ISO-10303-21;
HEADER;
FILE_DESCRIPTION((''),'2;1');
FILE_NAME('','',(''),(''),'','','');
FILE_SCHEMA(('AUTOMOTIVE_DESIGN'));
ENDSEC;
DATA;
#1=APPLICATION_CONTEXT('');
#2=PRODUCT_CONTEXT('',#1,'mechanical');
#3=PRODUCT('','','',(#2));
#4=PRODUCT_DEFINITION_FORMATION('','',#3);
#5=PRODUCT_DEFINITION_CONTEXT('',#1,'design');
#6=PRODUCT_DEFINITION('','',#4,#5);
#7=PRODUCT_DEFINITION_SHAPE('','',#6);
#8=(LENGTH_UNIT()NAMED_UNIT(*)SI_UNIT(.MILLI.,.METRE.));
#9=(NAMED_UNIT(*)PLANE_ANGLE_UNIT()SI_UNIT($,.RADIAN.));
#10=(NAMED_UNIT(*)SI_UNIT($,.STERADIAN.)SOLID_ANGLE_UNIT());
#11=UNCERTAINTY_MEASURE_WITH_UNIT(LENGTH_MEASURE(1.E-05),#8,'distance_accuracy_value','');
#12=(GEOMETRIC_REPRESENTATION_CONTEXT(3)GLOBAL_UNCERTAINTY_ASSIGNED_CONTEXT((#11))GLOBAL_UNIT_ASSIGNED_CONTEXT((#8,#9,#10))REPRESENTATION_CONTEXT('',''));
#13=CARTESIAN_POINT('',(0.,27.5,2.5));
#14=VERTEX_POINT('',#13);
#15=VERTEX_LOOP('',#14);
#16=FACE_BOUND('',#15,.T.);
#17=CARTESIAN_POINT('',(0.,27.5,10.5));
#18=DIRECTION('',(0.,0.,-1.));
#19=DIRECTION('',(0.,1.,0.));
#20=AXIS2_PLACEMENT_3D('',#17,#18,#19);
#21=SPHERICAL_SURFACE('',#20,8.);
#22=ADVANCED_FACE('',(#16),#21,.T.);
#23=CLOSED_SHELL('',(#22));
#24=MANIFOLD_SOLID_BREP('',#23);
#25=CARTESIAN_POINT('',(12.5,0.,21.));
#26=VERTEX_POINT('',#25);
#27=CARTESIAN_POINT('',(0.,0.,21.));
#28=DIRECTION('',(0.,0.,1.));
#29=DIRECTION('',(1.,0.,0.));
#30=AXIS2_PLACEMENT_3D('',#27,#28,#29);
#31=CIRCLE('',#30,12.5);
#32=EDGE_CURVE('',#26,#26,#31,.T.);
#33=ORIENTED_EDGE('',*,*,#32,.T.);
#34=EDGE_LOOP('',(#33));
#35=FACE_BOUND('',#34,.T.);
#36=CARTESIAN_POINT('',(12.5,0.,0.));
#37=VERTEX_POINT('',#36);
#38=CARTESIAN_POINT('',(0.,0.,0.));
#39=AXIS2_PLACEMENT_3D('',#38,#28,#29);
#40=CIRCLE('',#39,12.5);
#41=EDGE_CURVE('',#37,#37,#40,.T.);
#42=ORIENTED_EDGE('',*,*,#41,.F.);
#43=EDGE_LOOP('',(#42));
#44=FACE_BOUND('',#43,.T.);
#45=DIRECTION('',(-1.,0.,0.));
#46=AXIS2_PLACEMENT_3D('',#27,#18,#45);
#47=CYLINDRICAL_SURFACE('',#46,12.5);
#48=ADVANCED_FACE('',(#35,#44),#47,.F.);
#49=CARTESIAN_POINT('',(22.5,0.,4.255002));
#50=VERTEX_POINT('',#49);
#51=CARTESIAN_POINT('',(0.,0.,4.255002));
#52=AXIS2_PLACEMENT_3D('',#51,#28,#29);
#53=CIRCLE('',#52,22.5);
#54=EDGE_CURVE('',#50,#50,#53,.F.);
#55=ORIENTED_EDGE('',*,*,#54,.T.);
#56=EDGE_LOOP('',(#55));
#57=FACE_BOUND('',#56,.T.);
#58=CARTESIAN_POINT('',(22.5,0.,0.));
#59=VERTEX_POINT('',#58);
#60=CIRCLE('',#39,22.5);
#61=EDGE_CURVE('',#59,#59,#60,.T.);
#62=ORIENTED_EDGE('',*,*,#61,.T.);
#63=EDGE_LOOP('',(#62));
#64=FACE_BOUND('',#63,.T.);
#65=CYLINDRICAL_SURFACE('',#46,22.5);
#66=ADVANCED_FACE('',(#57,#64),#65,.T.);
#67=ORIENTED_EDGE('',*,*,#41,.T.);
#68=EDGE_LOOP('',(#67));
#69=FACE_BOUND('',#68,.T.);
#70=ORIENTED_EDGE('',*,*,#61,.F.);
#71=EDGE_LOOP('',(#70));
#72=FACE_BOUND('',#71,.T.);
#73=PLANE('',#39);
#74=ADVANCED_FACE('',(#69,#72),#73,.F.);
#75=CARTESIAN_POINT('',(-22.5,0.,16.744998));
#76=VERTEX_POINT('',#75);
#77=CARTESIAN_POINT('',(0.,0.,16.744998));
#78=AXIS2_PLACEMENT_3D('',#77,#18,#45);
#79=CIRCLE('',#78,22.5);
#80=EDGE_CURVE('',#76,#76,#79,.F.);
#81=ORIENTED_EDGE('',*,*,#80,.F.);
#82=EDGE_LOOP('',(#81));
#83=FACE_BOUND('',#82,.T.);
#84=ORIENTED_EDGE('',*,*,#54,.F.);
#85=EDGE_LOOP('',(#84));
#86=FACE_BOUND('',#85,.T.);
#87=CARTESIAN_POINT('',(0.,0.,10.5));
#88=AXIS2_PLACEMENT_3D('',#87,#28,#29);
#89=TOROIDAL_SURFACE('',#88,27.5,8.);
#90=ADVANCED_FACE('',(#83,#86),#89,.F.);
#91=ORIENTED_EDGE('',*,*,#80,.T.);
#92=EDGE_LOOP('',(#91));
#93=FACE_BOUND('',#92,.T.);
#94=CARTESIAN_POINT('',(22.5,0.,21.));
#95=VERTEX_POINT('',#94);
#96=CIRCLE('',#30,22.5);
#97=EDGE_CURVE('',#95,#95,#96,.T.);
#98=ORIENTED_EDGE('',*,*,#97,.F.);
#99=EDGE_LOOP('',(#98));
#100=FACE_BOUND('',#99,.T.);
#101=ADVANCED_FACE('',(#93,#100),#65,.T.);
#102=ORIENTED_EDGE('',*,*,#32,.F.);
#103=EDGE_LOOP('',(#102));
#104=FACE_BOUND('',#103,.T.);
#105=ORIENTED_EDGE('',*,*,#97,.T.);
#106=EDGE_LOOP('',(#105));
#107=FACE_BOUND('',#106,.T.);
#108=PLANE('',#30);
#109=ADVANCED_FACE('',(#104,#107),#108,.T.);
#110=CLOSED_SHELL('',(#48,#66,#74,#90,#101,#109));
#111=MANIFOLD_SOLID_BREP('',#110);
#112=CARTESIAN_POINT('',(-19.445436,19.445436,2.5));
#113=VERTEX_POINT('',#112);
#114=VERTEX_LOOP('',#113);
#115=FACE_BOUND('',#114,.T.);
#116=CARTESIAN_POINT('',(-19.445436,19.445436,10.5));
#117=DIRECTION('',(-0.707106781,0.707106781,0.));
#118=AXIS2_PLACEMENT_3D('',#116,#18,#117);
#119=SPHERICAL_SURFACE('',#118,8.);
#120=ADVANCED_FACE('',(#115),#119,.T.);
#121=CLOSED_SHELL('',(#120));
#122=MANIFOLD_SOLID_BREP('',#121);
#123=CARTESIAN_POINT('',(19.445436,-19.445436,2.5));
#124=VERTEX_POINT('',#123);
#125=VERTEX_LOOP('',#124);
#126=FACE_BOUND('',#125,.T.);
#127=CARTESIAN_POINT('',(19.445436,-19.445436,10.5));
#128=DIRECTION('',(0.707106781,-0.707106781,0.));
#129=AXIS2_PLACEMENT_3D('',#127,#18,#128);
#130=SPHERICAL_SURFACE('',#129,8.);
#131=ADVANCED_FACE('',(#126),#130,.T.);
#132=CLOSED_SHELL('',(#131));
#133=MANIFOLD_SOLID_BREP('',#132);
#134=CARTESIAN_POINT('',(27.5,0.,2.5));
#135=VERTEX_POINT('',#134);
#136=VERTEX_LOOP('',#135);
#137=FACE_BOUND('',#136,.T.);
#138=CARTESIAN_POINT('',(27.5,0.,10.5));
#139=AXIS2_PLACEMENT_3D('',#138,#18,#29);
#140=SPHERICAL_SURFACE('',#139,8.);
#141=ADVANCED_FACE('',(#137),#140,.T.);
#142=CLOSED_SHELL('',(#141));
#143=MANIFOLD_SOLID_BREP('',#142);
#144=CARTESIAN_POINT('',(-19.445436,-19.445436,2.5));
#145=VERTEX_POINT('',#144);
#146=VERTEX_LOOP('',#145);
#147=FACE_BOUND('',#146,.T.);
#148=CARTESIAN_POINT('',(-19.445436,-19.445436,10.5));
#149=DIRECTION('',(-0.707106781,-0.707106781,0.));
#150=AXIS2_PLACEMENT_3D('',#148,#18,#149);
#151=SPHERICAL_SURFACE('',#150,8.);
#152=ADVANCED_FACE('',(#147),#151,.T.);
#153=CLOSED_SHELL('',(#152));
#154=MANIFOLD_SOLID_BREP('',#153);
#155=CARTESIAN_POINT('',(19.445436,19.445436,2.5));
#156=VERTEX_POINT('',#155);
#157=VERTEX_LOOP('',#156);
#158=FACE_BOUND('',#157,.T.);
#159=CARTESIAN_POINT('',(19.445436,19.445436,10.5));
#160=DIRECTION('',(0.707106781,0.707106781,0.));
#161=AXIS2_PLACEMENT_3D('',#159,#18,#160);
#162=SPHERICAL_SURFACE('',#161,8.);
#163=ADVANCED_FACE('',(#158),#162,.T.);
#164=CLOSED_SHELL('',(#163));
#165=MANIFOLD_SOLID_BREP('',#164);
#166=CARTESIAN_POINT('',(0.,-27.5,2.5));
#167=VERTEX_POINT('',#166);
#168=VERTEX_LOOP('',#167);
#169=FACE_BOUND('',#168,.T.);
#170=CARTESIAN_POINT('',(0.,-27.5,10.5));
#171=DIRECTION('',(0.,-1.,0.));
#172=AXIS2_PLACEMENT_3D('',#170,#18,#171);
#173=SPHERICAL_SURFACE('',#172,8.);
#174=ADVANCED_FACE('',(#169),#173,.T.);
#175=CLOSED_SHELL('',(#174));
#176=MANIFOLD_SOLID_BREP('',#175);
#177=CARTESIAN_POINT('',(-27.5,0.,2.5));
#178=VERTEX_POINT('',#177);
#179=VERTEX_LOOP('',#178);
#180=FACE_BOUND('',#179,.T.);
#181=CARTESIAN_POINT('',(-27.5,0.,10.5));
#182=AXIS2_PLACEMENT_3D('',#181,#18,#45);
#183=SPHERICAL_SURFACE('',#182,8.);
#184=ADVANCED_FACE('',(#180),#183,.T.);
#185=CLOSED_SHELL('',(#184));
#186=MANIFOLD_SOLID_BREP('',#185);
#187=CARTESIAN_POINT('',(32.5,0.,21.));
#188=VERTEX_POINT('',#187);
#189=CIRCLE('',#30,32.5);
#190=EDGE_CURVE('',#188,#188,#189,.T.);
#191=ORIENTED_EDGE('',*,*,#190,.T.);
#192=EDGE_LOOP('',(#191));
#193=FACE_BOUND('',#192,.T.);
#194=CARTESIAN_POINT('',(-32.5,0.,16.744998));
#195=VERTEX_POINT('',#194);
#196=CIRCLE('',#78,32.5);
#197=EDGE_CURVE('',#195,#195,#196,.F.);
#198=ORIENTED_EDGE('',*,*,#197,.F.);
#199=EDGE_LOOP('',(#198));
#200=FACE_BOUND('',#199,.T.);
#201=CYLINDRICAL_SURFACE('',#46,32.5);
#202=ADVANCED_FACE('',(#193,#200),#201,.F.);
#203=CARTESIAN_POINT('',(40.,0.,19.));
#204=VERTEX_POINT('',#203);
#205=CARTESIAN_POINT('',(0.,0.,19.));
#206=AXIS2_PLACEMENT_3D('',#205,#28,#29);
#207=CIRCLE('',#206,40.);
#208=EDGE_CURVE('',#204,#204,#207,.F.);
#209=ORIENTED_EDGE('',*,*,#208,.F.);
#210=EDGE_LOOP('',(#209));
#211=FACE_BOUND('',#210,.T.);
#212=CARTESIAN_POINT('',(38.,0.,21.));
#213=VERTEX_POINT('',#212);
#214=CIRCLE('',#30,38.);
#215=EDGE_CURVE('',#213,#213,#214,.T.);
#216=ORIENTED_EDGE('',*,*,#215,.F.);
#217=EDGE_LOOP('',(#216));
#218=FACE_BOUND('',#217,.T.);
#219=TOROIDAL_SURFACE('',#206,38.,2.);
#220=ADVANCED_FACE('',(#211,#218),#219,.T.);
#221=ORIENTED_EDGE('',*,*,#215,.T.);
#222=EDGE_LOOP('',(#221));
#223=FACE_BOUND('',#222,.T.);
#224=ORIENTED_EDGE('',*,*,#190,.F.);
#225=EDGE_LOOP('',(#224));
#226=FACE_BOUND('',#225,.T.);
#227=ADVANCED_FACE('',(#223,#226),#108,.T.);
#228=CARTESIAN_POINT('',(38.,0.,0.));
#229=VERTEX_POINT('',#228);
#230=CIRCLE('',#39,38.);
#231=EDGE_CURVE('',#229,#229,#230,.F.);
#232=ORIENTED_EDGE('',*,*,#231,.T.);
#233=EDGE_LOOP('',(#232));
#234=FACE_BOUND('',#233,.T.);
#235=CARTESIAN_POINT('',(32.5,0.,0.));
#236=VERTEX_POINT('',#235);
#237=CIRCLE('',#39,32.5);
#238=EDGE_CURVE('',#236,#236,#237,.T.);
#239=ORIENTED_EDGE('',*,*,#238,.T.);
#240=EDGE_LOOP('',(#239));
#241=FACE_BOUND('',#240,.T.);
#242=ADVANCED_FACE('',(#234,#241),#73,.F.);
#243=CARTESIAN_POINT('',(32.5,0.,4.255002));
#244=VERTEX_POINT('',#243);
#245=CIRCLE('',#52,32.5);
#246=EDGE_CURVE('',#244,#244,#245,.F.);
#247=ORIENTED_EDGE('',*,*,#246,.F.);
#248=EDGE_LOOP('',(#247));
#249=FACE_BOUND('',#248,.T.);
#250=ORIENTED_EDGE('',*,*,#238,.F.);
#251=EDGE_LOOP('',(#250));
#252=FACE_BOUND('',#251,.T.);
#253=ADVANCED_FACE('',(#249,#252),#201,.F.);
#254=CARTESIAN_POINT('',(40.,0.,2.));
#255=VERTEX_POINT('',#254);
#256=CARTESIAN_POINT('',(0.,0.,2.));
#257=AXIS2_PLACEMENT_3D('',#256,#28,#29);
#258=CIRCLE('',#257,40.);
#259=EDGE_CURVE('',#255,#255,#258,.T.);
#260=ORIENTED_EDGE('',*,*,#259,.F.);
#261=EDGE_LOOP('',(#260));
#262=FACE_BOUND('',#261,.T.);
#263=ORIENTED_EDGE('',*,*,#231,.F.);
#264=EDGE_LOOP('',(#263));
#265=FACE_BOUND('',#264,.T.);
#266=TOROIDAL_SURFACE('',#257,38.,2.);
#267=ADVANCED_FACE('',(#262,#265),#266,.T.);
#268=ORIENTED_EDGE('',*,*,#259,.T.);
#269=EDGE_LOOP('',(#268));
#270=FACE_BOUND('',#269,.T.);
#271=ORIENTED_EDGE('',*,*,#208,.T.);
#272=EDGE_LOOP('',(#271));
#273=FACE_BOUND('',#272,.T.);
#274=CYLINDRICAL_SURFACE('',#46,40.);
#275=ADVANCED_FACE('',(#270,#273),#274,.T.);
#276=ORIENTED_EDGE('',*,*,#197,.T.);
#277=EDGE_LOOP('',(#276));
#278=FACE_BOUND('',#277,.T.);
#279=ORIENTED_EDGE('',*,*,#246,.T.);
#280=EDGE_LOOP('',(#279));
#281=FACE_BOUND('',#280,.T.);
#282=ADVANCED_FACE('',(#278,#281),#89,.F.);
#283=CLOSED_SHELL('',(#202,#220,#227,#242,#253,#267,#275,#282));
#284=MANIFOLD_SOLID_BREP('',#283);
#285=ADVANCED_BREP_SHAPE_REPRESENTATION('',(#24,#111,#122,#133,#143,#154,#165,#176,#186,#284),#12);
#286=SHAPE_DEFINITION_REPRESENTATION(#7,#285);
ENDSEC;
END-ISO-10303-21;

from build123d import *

# Parameters (mm, degrees)
SKETCH1_R             = 40
SKETCH1_R_2           = 32.5
BOSS_EXTRUDE1_DEPTH   = 21
SKETCH1_R_3           = 22.5
SKETCH1_R_4           = 12.5
BOSS_EXTRUDE1_2_DEPTH = 21
SKETCH2_R             = 8
CIRPATTERN1_COUNT     = 8
FILLET1_R             = 2


with BuildPart() as part:
    # Sketch1 → Boss-Extrude1 (new body)
    with BuildSketch(Plane.XY):
        Circle(SKETCH1_R)
        Circle(SKETCH1_R_2, mode=Mode.SUBTRACT)
    extrude(amount=BOSS_EXTRUDE1_DEPTH)


with BuildPart() as body_2:
    # Sketch1 → Boss-Extrude1 2 (new body)
    with BuildSketch(Plane.XY):
        Circle(SKETCH1_R_3)
        Circle(SKETCH1_R_4, mode=Mode.SUBTRACT)
    extrude(amount=BOSS_EXTRUDE1_2_DEPTH)


with BuildPart() as cut_revolve1_tool:
    # Sketch2 → Cut-Revolve1 (revolve)
    with BuildSketch(Plane(origin=(0, 0, 0), x_dir=(1, 0, 0), z_dir=(0, 1, 0))):
        with Locations((27.5, -10.5)):
            Circle(SKETCH2_R)
    revolve(axis=Axis((0, 0, 0), (0, 0, -1)))


with BuildPart() as part_1:
    add(part.part)

    # Cut-Revolve1: cut by cut_revolve1_tool
    add(cut_revolve1_tool.part, mode=Mode.SUBTRACT)

    # Fillet1
    fillet1_edges = [part_1.edges().sort_by_distance(p)[0] for p in [
        (-40, 0, 21),
        (-40, 0, 0),
    ]]
    fillet(fillet1_edges, radius=FILLET1_R)


with BuildPart() as body_2_1:
    add(body_2.part)

    # Cut-Revolve1: cut by cut_revolve1_tool
    add(cut_revolve1_tool.part, mode=Mode.SUBTRACT)


with BuildPart() as body_3:
    # Sketch3 → Revolve1 (revolve)
    with BuildSketch(Plane(origin=(0, 0, 0), x_dir=(1, 0, 0), z_dir=(0, 1, 0))):
        with BuildLine():
            Line((27.5, -2.5), (27.5, -18.5))
            ThreePointArc((27.5, -18.5), (35.5, -10.5), (27.5, -2.5))
        make_face()
    revolve(axis=Axis((27.5, 0, 2.5), (0, 0, 1)))


with BuildPart() as cirpattern1_1:
    # CirPattern1: pattern copy
    add(body_3.part.rotate(Axis((0, 0, 0), (0, 0, 1)), 1 * 360 / CIRPATTERN1_COUNT))


with BuildPart() as cirpattern1_2:
    # CirPattern1: pattern copy
    add(body_3.part.rotate(Axis((0, 0, 0), (0, 0, 1)), 2 * 360 / CIRPATTERN1_COUNT))


with BuildPart() as cirpattern1_3:
    # CirPattern1: pattern copy
    add(body_3.part.rotate(Axis((0, 0, 0), (0, 0, 1)), 3 * 360 / CIRPATTERN1_COUNT))


with BuildPart() as cirpattern1_4:
    # CirPattern1: pattern copy
    add(body_3.part.rotate(Axis((0, 0, 0), (0, 0, 1)), 4 * 360 / CIRPATTERN1_COUNT))


with BuildPart() as cirpattern1_5:
    # CirPattern1: pattern copy
    add(body_3.part.rotate(Axis((0, 0, 0), (0, 0, 1)), 5 * 360 / CIRPATTERN1_COUNT))


with BuildPart() as cirpattern1_6:
    # CirPattern1: pattern copy
    add(body_3.part.rotate(Axis((0, 0, 0), (0, 0, 1)), 6 * 360 / CIRPATTERN1_COUNT))


with BuildPart() as cirpattern1_7:
    # CirPattern1: pattern copy
    add(body_3.part.rotate(Axis((0, 0, 0), (0, 0, 1)), 7 * 360 / CIRPATTERN1_COUNT))


solid = Compound([part_1.part, body_2_1.part, body_3.part, cirpattern1_1.part, cirpattern1_2.part, cirpattern1_3.part, cirpattern1_4.part, cirpattern1_5.part, cirpattern1_6.part, cirpattern1_7.part])
